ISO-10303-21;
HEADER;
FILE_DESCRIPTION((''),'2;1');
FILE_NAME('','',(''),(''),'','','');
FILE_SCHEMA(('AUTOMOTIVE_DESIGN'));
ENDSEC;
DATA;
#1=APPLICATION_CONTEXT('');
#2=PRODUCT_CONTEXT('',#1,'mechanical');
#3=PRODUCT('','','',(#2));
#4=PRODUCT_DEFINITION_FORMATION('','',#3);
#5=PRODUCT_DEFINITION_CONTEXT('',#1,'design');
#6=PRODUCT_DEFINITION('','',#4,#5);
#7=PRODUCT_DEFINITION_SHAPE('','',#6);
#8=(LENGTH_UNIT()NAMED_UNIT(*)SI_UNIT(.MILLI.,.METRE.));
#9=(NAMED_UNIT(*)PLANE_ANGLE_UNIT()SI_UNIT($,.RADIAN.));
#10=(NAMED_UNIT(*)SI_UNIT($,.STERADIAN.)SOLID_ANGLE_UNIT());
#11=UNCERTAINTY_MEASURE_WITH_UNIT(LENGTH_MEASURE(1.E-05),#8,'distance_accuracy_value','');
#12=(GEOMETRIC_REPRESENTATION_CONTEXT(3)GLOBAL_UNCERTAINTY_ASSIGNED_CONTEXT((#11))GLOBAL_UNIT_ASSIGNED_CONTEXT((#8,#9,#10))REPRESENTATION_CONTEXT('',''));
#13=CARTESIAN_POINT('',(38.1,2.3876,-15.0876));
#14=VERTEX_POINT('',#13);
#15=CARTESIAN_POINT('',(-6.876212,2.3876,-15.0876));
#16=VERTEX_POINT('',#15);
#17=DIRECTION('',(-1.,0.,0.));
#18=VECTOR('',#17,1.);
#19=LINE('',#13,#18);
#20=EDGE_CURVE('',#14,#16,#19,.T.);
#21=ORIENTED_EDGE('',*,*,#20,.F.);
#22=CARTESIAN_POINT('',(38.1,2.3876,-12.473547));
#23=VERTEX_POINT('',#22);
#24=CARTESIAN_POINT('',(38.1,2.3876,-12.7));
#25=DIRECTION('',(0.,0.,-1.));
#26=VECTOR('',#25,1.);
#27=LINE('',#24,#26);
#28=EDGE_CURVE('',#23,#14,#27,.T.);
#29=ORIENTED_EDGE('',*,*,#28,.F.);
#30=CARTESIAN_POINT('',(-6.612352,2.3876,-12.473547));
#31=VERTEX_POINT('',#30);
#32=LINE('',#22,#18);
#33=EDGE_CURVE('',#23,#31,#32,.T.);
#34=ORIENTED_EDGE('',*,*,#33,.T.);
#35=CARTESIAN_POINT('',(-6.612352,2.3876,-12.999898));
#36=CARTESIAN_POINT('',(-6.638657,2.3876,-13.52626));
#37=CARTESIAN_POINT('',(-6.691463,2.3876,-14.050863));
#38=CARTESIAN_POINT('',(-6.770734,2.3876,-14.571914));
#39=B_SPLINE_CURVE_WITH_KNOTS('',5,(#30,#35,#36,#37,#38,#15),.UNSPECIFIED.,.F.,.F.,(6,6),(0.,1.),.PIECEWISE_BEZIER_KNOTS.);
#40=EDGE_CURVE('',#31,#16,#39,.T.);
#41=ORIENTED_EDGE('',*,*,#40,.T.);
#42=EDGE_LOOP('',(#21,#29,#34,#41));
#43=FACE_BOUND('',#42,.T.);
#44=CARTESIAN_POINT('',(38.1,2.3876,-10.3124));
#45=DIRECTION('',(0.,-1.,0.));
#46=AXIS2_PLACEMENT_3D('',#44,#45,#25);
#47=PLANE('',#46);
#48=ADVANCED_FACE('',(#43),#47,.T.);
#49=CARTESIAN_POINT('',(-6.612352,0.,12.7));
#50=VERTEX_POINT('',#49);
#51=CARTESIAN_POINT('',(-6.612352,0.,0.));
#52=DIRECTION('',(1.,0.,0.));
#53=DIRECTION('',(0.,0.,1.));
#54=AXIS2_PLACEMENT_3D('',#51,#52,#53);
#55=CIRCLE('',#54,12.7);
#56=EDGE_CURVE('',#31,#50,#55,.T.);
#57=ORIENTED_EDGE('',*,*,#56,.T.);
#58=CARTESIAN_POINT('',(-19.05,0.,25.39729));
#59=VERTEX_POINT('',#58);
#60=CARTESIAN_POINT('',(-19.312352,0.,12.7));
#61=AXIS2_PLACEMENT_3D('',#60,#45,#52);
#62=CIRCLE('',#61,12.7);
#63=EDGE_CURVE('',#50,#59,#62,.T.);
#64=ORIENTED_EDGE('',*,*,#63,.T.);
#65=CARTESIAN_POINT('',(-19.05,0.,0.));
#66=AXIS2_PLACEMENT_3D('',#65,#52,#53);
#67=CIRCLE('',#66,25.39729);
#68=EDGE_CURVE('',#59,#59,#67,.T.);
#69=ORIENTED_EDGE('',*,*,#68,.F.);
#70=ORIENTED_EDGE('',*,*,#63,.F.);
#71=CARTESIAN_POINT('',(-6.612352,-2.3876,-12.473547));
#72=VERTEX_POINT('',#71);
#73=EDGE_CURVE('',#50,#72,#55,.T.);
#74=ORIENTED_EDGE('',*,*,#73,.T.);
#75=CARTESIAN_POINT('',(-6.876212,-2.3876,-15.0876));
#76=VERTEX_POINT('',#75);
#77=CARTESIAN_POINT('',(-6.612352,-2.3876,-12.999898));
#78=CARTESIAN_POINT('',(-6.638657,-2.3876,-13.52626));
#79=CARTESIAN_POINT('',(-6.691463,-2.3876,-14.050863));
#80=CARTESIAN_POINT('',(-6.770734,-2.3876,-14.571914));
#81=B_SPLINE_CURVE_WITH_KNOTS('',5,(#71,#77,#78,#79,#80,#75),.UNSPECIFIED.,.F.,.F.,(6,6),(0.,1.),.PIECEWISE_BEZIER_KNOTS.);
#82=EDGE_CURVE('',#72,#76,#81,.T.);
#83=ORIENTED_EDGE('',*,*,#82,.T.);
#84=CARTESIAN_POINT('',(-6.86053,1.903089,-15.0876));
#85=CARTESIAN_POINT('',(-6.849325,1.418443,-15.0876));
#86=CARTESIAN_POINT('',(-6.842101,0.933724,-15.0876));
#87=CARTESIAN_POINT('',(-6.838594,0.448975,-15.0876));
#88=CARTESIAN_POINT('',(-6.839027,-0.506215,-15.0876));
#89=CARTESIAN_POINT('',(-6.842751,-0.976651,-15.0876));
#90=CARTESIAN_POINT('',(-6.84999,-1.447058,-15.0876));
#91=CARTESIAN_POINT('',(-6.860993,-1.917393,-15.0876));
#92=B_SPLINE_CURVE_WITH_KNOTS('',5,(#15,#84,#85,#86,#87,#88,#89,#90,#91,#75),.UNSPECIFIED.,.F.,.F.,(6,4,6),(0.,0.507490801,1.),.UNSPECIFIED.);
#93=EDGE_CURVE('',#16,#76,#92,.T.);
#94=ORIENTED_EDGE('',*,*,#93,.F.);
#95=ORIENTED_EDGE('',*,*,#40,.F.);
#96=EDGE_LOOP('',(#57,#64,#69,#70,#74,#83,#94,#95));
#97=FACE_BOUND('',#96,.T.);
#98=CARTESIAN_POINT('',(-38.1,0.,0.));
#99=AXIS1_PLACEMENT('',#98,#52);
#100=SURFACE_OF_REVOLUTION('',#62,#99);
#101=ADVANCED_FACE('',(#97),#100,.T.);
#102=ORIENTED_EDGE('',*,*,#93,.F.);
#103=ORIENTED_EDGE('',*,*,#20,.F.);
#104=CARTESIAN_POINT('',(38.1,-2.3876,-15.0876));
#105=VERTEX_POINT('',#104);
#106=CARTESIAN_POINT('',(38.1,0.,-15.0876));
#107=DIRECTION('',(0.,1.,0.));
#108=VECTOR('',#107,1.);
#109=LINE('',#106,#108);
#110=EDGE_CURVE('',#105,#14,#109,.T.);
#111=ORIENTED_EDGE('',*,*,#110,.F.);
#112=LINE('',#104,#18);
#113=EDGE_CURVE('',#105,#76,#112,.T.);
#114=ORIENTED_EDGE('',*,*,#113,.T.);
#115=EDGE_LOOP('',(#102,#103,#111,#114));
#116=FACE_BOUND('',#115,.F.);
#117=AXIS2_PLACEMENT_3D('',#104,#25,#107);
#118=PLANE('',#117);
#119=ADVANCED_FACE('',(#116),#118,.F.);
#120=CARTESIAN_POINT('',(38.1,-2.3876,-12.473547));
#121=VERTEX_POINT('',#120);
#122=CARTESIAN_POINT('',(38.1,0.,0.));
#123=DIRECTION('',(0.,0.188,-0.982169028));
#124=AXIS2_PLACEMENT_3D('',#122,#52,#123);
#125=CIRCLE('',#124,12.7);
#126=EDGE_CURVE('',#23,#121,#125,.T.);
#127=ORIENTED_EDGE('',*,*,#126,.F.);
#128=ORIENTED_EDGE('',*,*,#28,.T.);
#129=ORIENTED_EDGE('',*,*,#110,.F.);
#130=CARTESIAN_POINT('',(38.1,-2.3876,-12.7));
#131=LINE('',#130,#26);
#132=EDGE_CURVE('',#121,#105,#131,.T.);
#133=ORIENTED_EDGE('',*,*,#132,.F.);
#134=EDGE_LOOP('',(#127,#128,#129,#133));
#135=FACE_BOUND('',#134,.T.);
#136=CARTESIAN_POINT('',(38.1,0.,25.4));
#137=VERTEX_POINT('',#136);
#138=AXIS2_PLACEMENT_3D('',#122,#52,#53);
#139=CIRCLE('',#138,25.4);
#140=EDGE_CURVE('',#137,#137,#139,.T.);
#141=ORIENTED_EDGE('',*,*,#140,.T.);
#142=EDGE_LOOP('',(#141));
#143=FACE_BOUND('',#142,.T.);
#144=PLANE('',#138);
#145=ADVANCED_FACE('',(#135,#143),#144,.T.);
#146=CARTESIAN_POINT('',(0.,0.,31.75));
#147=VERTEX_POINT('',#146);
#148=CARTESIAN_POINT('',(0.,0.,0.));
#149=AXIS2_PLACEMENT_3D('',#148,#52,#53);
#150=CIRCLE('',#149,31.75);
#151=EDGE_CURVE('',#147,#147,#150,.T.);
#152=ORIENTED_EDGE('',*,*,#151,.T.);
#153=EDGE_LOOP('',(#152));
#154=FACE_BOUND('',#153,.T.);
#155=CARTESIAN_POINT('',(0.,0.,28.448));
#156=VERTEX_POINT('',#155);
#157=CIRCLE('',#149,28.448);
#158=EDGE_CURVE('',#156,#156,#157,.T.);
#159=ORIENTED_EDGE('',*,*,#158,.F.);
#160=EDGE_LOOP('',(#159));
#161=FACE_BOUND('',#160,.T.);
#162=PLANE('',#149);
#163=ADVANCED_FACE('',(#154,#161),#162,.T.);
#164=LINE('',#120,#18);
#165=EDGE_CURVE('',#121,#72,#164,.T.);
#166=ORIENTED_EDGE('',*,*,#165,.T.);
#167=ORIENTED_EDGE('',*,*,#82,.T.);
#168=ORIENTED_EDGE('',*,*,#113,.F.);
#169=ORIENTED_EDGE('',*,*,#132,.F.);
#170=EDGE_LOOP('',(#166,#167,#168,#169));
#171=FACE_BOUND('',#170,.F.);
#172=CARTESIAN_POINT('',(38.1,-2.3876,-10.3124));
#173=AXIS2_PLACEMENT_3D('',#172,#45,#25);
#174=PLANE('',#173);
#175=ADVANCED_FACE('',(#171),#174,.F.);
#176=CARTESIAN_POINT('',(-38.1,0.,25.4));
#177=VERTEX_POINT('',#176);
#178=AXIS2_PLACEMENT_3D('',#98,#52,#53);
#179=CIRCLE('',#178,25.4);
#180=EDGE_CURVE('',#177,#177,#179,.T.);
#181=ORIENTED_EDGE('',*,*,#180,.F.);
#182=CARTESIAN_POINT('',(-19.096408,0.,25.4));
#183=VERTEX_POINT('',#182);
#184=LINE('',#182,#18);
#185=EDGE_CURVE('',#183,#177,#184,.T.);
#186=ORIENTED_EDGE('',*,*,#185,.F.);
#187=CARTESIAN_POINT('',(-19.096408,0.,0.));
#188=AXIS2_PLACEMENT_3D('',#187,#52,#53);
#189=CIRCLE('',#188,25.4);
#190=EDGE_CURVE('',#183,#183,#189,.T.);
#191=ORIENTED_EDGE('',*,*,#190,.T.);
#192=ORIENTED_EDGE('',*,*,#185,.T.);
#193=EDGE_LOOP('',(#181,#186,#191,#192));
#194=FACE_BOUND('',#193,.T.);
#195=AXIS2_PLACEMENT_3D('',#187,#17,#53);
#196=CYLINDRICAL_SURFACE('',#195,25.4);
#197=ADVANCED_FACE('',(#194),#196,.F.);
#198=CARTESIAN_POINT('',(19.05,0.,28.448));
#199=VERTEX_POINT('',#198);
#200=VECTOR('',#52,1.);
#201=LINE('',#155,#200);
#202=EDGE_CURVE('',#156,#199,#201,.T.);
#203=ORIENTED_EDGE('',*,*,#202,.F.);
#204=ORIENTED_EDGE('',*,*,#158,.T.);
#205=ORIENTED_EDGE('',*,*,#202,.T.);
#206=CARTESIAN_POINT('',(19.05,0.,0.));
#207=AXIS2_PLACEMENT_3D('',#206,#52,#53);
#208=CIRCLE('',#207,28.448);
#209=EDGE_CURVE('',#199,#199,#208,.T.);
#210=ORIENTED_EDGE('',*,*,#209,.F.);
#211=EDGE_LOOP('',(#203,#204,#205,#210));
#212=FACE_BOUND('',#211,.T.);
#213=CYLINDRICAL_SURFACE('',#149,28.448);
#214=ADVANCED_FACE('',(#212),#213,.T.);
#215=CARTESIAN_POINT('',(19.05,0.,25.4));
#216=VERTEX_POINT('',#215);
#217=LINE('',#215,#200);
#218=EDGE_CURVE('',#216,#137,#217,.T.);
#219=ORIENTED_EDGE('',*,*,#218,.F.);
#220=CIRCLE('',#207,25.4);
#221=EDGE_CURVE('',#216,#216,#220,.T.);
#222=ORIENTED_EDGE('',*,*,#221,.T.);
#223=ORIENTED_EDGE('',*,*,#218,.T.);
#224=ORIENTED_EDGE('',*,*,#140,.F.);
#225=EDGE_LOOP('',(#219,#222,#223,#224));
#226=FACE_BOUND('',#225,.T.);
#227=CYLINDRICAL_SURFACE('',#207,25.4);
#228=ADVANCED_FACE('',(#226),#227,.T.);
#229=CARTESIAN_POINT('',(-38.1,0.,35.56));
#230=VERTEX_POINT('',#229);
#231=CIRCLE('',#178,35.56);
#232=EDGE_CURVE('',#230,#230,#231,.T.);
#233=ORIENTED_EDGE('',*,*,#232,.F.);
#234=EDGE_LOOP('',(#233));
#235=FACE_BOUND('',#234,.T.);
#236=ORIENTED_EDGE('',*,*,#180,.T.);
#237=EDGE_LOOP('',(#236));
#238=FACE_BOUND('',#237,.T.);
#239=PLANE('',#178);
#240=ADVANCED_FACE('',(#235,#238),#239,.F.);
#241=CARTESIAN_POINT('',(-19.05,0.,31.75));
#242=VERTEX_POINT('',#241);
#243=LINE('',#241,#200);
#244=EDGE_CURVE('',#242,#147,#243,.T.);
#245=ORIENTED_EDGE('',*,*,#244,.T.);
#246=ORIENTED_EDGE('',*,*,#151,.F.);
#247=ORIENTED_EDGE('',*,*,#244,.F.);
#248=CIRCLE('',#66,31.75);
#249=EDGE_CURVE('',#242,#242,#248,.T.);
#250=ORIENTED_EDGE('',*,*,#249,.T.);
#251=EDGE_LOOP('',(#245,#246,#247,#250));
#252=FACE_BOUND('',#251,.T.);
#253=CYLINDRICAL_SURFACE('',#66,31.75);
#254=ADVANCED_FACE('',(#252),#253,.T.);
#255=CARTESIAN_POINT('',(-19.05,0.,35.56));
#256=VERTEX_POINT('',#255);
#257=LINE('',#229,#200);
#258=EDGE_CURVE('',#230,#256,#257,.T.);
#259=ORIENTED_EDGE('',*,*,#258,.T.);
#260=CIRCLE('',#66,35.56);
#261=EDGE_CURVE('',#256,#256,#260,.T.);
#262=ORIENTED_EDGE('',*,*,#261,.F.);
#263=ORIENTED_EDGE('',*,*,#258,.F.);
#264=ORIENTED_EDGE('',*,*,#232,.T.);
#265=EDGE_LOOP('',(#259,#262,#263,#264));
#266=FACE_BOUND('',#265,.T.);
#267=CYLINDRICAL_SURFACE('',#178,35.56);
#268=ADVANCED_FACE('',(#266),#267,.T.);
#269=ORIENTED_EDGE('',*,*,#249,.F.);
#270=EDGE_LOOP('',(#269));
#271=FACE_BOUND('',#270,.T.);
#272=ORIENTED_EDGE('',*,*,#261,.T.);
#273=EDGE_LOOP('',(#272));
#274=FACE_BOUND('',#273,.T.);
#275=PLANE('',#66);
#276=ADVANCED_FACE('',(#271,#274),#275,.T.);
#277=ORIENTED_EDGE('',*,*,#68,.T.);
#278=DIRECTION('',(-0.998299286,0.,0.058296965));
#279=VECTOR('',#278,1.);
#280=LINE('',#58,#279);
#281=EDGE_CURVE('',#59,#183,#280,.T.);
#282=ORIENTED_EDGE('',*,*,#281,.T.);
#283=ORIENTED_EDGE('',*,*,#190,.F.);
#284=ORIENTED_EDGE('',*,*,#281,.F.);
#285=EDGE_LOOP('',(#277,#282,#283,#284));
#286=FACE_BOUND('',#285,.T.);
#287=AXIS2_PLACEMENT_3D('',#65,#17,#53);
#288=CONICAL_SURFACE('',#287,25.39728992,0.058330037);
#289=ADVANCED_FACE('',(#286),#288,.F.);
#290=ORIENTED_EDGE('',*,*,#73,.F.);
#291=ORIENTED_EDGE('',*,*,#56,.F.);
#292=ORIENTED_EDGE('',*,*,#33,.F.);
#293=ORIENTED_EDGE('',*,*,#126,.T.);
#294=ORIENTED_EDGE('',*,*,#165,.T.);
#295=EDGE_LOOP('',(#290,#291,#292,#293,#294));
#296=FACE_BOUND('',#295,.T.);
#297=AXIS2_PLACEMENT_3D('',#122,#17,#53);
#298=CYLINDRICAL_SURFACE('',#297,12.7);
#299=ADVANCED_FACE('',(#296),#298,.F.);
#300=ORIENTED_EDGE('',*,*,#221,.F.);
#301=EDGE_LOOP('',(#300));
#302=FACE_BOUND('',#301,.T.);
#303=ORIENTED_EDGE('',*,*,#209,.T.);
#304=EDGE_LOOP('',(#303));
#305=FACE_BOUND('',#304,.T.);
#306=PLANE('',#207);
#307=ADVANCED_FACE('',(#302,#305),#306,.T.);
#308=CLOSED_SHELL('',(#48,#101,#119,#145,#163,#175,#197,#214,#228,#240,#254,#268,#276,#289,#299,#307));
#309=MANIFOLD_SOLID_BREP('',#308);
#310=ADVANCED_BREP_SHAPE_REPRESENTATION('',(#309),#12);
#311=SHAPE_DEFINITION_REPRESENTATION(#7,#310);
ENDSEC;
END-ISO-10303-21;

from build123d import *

# Parameters (mm, degrees)
SKETCH3_W          = 4.7752
SKETCH3_H          = 4.7752
CUT_EXTRUDE1_DEPTH = 92.298779839


with BuildPart() as part:
    # Sketch1 → Revolve1 (revolve)
    with BuildSketch(Plane.XY, mode=Mode.PRIVATE) as revolve1_sk:
        with BuildLine():
            Line((-38.1, 35.56), (-19.05, 35.56))
            Line((-19.05, 35.56), (-19.05, 31.75))
            Line((-19.05, 31.75), (0, 31.75))
            Line((0, 31.75), (0, 28.448))
            Line((0, 28.448), (19.05, 28.448))
            Line((19.05, 28.448), (19.05, 25.4))
            Line((19.05, 25.4), (38.1, 25.4))
            Line((38.1, 25.4), (38.1, 12.7))
            Line((38.1, 12.7), (-6.61235224, 12.7))
            ThreePointArc((-6.61235224, 12.7), (-10.239814738, 21.587016556), (-19.05, 25.39728992))
            Line((-19.05, 25.39728992), (-19.096408435, 25.4))
            Line((-19.096408435, 25.4), (-38.1, 25.4))
            Line((-38.1, 25.4), (-38.1, 35.56))
        make_face()
    revolve(revolve1_sk.sketch.rotate(Axis((-38.1, 0, 0), (1, 0, 0)), 90), axis=Axis((-38.1, 0, 0), (1, 0, 0)))

    # Sketch3 → Cut-Extrude1 (cut, through all)
    with BuildSketch(Plane(origin=(38.1, 0, 0), x_dir=(0, 0, -1), z_dir=(1, 0, 0))):
        with Locations((12.7, 0)):
            Rectangle(SKETCH3_W, SKETCH3_H)
    extrude(amount=-CUT_EXTRUDE1_DEPTH, mode=Mode.SUBTRACT)


solid = part.part
